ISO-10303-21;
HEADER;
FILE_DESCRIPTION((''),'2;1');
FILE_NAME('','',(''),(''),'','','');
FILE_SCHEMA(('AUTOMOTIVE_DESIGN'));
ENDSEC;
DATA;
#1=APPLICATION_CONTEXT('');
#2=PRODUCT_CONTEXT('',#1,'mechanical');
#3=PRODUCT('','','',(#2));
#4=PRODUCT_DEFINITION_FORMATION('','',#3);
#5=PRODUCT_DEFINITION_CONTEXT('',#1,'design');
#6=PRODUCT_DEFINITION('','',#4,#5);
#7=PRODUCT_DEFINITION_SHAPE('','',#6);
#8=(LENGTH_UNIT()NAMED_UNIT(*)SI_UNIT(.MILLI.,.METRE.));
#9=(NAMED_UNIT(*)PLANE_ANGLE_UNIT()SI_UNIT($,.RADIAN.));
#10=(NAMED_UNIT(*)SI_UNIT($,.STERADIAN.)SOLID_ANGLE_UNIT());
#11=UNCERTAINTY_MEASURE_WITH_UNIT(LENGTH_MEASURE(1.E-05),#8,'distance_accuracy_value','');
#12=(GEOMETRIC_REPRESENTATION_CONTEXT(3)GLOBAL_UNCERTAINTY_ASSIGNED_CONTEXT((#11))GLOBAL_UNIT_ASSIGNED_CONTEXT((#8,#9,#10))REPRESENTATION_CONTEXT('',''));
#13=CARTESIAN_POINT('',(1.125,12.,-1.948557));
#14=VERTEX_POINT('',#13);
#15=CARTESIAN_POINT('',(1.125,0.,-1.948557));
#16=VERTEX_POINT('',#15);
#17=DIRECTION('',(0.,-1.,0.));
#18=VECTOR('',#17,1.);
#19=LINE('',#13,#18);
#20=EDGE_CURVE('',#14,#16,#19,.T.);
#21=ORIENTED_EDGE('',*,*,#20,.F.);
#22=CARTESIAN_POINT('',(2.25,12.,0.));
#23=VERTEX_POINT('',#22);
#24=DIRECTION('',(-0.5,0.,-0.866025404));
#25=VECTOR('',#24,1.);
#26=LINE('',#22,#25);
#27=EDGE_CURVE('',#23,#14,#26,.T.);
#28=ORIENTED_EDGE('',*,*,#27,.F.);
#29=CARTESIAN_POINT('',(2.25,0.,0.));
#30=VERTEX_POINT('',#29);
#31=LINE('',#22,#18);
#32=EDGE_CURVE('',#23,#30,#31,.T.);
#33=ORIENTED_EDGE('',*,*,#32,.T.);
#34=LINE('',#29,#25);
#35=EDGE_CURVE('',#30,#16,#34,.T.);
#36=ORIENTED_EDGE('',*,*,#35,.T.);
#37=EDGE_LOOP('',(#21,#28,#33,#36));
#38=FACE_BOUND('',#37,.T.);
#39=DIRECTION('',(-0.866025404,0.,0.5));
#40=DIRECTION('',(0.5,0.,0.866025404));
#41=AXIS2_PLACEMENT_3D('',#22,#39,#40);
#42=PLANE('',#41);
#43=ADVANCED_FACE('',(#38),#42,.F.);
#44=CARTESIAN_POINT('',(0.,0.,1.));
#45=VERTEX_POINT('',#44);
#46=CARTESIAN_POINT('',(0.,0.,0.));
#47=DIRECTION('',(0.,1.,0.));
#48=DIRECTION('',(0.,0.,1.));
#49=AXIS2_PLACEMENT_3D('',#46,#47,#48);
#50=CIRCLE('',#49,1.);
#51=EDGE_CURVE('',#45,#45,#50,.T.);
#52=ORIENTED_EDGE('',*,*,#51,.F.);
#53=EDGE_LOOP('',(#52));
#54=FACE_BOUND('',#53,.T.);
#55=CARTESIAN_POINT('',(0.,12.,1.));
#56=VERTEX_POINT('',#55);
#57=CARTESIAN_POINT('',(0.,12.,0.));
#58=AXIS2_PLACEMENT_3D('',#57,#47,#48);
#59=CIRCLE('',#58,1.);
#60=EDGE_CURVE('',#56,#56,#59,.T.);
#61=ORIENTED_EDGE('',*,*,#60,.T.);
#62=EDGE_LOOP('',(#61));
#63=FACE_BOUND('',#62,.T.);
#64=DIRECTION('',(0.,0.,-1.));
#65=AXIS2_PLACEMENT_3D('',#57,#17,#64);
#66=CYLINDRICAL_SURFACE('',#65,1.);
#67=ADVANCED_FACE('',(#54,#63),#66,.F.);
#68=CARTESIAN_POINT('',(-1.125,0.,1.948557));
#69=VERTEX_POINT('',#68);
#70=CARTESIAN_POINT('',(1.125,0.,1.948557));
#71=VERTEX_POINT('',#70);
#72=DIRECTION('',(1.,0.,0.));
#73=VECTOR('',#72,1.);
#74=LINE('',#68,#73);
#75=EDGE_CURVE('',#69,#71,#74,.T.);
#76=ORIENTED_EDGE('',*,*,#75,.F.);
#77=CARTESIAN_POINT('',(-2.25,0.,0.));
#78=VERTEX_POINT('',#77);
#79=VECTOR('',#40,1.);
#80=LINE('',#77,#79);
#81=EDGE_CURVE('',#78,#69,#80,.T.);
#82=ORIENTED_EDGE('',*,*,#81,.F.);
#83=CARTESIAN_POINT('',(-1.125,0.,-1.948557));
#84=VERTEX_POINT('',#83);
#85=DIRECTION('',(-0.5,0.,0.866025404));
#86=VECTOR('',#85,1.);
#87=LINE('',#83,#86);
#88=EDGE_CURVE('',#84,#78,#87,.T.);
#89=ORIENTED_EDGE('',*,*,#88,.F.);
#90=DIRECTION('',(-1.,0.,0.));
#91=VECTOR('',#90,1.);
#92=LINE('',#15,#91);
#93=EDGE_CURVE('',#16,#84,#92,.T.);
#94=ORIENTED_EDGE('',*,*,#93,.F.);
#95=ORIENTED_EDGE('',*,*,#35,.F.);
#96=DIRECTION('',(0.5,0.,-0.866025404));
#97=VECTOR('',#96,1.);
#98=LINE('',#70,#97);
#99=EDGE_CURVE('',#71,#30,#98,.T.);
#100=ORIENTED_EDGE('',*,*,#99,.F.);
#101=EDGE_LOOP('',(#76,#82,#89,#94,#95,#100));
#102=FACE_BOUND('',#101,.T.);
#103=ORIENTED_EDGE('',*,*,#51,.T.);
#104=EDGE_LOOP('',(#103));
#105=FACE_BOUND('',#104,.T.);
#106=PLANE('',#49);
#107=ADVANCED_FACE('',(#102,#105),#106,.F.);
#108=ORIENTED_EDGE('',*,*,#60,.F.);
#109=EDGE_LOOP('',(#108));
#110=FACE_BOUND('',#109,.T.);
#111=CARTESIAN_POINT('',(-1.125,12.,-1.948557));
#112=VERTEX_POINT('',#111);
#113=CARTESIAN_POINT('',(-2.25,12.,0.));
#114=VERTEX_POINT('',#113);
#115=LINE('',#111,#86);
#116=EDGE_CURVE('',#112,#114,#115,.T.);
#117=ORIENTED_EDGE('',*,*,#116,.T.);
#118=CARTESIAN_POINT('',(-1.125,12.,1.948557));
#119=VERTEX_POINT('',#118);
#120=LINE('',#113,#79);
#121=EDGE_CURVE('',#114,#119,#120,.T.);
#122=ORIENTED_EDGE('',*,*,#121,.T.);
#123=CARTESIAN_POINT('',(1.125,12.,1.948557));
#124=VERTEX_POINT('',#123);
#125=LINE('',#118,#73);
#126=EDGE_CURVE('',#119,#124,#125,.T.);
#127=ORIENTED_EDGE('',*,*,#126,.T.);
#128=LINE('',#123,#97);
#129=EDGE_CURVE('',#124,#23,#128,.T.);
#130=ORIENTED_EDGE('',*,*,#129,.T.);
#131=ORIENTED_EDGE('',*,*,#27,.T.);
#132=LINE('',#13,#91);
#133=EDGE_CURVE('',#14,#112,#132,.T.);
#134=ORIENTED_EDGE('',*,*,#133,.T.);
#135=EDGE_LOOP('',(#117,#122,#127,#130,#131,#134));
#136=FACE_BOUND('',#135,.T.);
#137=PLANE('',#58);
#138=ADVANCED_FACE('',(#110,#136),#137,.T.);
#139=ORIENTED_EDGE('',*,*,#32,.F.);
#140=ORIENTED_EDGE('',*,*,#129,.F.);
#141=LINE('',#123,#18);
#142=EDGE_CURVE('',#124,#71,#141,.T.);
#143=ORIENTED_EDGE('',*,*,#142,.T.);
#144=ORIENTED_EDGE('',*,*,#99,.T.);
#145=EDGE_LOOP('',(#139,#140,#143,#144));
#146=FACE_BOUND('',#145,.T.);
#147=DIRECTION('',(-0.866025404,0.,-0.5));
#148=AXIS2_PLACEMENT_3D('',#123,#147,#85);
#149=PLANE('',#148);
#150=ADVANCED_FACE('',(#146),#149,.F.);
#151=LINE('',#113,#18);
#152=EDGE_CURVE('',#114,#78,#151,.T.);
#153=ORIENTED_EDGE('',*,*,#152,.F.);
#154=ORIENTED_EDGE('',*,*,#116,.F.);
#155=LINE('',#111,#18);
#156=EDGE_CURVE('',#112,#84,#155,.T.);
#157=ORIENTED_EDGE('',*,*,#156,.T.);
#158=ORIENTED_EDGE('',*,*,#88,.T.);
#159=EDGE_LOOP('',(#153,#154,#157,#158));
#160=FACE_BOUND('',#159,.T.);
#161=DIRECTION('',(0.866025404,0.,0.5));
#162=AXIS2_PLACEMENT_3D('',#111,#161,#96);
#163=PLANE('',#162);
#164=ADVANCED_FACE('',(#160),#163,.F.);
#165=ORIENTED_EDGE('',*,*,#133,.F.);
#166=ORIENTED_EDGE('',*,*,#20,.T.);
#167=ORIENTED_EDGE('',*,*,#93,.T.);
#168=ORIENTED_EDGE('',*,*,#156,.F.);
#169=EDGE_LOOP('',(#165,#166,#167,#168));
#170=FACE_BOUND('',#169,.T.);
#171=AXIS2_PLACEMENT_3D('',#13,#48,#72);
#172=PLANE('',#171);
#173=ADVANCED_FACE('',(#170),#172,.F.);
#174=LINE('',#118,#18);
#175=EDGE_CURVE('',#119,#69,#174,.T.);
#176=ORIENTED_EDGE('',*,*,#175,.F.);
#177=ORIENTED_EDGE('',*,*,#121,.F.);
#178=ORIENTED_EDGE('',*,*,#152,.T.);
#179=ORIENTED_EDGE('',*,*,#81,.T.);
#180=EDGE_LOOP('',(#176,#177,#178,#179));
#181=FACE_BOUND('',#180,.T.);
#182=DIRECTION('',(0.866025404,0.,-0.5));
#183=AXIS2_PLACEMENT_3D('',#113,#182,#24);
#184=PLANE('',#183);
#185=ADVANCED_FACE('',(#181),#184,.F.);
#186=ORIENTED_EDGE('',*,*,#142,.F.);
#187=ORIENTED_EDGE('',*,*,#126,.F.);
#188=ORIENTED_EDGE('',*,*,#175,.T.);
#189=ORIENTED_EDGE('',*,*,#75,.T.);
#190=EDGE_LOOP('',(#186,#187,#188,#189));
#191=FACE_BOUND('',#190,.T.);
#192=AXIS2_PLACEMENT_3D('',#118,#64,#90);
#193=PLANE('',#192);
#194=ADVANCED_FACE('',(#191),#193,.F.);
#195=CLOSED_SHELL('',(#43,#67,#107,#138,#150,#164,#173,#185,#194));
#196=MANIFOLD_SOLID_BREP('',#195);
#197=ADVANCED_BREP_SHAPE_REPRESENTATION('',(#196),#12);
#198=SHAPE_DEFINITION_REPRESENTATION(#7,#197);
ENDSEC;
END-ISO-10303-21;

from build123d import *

# Parameters (mm, degrees)
SKETCH1_R           = 1
BOSS_EXTRUDE1_DEPTH = 12


with BuildPart() as part:
    # Sketch1 → Boss-Extrude1 (new body)
    with BuildSketch(Plane(origin=(0, 0, 0), x_dir=(1, 0, 0), z_dir=(0, 1, 0))):
        Polygon((2.25, 0), (1.125, 1.948557159), (-1.125, 1.948557159), (-2.25, 0), (-1.125, -1.948557159), (1.125, -1.948557159), align=None)
        Circle(SKETCH1_R, mode=Mode.SUBTRACT)
    extrude(amount=BOSS_EXTRUDE1_DEPTH)


solid = part.part
